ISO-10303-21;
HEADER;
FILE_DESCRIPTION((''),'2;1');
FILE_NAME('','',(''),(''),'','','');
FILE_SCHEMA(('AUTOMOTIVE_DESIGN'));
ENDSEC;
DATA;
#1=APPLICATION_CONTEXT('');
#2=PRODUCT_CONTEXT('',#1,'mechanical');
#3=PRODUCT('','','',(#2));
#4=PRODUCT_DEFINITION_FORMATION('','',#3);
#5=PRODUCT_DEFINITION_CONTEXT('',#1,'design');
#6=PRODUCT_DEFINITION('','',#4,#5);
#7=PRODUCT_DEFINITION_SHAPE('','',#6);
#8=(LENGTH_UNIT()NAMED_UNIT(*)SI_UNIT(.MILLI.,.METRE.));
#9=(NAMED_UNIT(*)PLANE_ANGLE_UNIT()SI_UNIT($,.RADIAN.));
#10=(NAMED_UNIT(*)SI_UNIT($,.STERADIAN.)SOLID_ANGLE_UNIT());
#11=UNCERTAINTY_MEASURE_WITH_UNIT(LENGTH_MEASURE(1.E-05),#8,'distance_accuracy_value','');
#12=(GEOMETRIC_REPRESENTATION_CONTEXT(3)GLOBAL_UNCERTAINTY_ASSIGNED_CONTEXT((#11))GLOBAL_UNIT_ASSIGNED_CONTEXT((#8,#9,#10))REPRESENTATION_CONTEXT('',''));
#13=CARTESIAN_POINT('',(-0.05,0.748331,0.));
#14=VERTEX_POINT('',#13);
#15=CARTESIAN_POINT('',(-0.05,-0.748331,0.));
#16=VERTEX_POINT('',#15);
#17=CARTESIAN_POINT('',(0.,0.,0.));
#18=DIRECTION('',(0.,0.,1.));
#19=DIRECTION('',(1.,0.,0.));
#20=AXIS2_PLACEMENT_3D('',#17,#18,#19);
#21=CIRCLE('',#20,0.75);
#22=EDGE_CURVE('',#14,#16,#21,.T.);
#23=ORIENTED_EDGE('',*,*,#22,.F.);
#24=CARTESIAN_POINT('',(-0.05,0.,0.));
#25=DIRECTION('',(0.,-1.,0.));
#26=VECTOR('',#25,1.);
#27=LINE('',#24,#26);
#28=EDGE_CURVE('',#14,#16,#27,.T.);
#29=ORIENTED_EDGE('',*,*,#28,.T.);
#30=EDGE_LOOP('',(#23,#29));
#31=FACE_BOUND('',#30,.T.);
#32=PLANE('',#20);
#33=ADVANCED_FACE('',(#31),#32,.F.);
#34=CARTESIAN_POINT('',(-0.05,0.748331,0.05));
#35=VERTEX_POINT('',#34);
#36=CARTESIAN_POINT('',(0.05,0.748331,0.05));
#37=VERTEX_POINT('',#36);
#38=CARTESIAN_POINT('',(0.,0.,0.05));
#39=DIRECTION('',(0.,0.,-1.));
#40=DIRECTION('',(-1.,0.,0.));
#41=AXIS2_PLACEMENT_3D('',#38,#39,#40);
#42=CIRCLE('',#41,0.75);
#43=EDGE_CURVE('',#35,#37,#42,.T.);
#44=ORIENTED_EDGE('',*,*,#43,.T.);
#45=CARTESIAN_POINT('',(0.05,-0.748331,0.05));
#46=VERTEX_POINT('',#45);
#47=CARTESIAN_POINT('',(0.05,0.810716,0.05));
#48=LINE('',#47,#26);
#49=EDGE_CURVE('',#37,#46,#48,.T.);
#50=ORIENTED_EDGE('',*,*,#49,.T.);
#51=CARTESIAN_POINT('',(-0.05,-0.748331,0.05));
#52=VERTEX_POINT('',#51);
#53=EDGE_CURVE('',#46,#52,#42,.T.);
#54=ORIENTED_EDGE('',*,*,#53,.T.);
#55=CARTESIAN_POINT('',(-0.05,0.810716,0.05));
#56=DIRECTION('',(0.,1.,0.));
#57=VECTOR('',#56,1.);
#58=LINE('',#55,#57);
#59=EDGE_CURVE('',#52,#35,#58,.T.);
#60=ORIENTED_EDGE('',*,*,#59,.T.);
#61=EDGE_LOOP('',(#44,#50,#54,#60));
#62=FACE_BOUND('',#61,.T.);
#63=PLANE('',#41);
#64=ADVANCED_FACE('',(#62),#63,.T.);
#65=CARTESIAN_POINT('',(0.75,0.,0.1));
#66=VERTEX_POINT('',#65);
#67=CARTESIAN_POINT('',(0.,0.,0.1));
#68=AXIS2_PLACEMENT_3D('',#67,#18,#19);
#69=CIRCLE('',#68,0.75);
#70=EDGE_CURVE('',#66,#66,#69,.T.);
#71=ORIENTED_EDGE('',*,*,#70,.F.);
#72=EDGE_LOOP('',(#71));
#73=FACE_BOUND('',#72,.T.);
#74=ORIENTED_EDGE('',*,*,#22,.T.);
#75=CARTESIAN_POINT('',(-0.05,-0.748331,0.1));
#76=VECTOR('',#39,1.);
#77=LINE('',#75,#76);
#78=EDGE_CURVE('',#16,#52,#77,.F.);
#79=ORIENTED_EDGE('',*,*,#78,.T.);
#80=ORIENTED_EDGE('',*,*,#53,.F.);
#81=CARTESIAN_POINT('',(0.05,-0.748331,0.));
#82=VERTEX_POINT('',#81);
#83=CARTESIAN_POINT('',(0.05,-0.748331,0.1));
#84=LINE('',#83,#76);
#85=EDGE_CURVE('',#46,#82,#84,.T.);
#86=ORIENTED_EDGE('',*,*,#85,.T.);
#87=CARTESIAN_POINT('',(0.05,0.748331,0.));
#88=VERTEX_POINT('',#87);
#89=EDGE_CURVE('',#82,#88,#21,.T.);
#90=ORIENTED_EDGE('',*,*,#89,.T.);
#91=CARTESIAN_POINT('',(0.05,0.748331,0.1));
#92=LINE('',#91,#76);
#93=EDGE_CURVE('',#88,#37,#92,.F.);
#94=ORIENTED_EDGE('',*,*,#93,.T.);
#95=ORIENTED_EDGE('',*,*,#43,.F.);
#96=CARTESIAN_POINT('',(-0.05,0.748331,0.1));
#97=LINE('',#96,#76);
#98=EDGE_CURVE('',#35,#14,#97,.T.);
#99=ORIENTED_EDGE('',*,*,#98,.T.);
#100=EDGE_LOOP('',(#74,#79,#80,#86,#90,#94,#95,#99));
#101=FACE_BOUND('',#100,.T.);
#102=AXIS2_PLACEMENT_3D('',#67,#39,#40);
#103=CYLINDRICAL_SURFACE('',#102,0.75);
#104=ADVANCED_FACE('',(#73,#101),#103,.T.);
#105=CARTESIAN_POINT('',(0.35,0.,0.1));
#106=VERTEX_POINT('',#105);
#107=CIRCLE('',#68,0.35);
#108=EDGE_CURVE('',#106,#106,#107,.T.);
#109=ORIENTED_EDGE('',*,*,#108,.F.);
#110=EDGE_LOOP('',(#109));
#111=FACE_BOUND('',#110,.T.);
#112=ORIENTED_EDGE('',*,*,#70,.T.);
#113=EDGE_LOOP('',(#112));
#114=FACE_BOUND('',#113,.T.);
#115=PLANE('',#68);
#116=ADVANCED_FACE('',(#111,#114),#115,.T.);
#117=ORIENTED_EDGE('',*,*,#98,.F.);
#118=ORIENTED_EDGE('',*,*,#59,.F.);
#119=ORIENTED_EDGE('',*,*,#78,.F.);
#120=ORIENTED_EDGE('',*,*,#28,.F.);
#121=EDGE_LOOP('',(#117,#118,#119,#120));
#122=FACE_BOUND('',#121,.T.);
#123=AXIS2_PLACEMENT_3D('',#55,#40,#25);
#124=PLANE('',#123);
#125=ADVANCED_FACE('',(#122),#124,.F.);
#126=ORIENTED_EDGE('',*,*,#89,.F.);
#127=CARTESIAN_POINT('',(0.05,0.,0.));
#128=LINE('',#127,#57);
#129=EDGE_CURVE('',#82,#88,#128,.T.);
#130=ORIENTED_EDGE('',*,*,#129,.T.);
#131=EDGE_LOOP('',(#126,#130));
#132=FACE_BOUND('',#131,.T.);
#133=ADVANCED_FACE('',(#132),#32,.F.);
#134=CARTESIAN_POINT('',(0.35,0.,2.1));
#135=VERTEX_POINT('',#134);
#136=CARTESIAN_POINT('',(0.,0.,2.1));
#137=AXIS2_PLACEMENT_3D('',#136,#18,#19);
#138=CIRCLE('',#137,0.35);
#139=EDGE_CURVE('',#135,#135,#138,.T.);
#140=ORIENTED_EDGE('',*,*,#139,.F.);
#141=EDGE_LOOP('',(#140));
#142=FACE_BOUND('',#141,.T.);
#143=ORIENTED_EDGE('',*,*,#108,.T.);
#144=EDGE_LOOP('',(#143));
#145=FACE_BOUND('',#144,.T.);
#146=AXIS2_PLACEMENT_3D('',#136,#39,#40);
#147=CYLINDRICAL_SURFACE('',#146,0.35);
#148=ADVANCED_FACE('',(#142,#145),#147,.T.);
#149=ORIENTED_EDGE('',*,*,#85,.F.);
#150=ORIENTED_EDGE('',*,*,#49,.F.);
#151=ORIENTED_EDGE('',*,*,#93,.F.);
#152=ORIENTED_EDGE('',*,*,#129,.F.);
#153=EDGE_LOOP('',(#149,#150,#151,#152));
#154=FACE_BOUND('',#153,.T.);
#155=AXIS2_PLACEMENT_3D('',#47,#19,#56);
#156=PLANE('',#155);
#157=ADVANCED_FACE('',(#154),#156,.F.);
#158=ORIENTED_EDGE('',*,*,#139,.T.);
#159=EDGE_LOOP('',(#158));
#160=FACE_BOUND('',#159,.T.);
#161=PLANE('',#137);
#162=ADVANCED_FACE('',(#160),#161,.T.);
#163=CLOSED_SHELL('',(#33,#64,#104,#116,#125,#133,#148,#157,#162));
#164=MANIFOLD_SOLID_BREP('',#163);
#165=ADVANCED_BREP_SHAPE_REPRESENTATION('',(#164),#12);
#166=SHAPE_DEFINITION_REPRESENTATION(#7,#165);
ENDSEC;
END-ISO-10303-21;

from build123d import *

# Parameters (mm, degrees)
CROQUIS1_R              = 0.75
SALIENTE_EXTRUIR1_DEPTH = 0.1
CROQUIS2_R              = 0.35
SALIENTE_EXTRUIR2_DEPTH = 2
CROQUIS3_W              = 0.1
CROQUIS3_H              = 1.62143155
CORTAR_EXTRUIR1_DEPTH   = 0.05


with BuildPart() as part:
    # Croquis1 → Saliente-Extruir1 (new body)
    with BuildSketch(Plane.XY):
        Circle(CROQUIS1_R)
    extrude(amount=SALIENTE_EXTRUIR1_DEPTH)

    # Croquis2 → Saliente-Extruir2 (add)
    with BuildSketch(Plane.XY.offset(0.1)):
        Circle(CROQUIS2_R)
    extrude(amount=SALIENTE_EXTRUIR2_DEPTH)

    # Croquis3 → Cortar-Extruir1 (cut)
    with BuildSketch(Plane(origin=(0, 0, 0), x_dir=(-1, 0, 0), z_dir=(0, 0, -1))):
        Rectangle(CROQUIS3_W, CROQUIS3_H)
    extrude(amount=-CORTAR_EXTRUIR1_DEPTH, mode=Mode.SUBTRACT)


solid = part.part
